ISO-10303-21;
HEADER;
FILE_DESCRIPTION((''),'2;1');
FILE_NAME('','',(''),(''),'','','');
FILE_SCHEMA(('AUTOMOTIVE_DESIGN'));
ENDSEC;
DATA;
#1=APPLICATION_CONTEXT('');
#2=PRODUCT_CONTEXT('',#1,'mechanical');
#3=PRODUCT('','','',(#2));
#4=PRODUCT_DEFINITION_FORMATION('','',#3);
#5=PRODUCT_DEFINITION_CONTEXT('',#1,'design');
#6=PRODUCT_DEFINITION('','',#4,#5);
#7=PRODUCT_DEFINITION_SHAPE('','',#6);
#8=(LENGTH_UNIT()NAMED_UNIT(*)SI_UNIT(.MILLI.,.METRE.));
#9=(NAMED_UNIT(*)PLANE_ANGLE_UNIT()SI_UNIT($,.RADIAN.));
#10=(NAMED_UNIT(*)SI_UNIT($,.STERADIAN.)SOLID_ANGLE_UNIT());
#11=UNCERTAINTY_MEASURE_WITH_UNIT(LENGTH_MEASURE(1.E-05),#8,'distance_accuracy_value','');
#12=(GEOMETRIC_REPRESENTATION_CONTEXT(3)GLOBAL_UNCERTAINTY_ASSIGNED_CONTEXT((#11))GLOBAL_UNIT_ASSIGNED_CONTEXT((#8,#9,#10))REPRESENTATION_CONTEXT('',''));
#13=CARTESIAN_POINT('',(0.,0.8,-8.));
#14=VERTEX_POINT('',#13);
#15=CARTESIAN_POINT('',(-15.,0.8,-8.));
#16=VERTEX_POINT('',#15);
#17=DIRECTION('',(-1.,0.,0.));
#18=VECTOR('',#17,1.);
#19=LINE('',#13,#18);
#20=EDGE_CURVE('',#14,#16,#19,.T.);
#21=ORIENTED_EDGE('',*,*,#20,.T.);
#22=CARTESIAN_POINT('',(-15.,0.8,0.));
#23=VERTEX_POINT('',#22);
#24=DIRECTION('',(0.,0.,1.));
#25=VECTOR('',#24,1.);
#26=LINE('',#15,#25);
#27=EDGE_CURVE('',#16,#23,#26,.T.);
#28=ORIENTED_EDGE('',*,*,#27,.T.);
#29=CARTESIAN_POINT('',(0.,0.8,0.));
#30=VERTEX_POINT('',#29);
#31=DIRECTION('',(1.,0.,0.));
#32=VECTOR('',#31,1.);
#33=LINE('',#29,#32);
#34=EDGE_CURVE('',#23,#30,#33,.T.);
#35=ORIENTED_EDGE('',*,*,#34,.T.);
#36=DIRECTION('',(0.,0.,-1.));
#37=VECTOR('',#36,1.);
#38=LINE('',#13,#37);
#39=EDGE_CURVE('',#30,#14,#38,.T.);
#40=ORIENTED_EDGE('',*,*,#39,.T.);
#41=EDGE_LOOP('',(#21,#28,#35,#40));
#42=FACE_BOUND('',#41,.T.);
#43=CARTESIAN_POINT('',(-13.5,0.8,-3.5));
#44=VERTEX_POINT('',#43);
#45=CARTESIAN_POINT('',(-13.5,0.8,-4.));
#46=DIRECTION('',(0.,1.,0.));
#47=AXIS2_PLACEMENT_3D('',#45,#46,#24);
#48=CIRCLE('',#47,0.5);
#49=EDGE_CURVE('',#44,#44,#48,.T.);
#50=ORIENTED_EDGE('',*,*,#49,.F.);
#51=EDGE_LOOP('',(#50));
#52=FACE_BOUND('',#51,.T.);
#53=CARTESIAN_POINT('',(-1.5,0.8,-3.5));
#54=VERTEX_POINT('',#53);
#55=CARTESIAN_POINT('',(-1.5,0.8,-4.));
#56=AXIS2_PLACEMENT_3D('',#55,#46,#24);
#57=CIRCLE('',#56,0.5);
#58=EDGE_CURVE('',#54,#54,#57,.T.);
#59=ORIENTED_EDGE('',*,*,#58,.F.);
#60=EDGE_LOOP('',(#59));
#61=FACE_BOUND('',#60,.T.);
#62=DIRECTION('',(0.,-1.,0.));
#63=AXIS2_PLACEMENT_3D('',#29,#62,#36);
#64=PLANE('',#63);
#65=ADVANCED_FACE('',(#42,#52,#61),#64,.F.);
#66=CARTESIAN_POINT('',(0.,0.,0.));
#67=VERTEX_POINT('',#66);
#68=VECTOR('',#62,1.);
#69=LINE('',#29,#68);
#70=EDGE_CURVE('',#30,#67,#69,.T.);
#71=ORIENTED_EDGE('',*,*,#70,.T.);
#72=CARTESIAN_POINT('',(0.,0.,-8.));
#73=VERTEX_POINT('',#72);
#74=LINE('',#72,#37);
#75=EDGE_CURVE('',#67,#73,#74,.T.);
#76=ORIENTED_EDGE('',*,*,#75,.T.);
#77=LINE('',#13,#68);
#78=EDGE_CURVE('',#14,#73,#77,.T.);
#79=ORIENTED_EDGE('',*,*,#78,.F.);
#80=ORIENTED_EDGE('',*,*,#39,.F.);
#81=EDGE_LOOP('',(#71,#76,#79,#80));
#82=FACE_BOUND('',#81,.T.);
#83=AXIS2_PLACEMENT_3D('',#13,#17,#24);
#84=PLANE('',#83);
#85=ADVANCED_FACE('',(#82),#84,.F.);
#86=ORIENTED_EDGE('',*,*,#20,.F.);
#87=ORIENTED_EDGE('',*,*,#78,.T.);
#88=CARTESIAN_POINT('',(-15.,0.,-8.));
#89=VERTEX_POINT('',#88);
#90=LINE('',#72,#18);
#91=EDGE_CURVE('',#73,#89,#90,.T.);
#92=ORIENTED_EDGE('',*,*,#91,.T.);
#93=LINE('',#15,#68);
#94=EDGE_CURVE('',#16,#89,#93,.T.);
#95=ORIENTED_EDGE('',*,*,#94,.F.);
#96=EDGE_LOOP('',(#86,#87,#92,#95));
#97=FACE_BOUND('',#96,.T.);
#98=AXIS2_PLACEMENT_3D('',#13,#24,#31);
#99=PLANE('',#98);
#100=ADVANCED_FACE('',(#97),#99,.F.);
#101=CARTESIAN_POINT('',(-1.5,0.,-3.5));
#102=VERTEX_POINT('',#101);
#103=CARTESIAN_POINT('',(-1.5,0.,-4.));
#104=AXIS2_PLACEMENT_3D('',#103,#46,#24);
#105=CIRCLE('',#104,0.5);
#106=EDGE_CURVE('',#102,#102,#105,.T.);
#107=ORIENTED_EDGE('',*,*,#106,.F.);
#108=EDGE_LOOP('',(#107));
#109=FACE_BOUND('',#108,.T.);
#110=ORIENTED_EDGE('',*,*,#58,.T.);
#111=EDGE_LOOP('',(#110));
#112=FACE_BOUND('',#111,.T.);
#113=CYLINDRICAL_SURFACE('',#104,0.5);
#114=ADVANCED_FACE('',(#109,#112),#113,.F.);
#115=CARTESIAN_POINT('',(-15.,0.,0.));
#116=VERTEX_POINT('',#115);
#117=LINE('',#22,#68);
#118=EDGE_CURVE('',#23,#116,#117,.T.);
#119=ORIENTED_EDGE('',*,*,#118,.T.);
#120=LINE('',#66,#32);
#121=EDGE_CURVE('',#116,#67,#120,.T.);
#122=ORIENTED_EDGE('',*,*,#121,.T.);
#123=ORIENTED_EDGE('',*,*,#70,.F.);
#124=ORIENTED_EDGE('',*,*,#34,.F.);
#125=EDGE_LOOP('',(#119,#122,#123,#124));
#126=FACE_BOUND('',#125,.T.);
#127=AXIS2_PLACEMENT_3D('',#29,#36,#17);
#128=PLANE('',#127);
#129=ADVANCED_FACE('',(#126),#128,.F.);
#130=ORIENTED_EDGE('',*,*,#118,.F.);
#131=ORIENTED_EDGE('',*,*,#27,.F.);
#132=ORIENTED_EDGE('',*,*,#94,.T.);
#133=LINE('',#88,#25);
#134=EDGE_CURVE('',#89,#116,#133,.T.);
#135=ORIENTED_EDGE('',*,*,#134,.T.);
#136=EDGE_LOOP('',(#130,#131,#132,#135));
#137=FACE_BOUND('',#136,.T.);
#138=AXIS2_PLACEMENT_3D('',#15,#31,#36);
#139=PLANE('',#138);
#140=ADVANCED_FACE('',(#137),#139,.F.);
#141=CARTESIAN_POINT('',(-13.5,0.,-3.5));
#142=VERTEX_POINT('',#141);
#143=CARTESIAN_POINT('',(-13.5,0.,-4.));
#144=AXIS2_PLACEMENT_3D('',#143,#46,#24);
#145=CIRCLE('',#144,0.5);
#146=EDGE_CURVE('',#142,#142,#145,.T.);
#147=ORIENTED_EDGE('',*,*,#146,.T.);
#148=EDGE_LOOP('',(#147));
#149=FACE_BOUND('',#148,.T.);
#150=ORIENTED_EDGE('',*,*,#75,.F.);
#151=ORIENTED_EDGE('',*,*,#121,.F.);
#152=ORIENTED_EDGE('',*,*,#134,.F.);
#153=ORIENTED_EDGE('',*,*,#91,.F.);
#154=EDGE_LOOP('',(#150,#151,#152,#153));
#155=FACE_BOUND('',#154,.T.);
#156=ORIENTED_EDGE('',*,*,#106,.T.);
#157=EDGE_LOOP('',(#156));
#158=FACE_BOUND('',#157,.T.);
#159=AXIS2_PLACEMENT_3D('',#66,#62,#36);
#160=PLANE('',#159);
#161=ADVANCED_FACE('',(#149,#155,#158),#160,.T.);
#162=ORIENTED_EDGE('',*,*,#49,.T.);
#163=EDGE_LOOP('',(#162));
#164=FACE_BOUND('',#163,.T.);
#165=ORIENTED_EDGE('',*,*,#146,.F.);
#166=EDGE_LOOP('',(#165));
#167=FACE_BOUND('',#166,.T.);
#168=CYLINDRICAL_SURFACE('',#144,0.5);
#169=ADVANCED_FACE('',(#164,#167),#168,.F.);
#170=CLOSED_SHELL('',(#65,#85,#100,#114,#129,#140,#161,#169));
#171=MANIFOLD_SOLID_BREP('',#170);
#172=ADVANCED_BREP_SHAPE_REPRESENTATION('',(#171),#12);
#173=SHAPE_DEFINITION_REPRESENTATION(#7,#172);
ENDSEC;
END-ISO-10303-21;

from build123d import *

# Parameters (mm, degrees)
SKETCH1_W           = 15
SKETCH1_H           = 8
BOSS_EXTRUDE1_DEPTH = 0.8
SKETCH4_R           = 0.5
CUT_EXTRUDE1_DEPTH  = 18.01881312


with BuildPart() as part:
    # Sketch1 → Boss-Extrude1 (new body)
    with BuildSketch(Plane(origin=(0, 0, 0), x_dir=(1, 0, 0), z_dir=(0, 1, 0))):
        with Locations((-7.5, 4)):
            Rectangle(SKETCH1_W, SKETCH1_H)
    extrude(amount=BOSS_EXTRUDE1_DEPTH)

    # Sketch4 → Cut-Extrude1 (cut, through all)
    with BuildSketch(Plane(origin=(0, 0.8, 0), x_dir=(1, 0, 0), z_dir=(0, 1, 0))):
        with Locations(Location((-13.5, 4, 0), (0, 0, 270))):
            Circle(SKETCH4_R)
        with Locations(Location((-1.5, 4, 0), (0, 0, 270))):
            Circle(SKETCH4_R)
    extrude(amount=-CUT_EXTRUDE1_DEPTH, mode=Mode.SUBTRACT)


solid = part.part
